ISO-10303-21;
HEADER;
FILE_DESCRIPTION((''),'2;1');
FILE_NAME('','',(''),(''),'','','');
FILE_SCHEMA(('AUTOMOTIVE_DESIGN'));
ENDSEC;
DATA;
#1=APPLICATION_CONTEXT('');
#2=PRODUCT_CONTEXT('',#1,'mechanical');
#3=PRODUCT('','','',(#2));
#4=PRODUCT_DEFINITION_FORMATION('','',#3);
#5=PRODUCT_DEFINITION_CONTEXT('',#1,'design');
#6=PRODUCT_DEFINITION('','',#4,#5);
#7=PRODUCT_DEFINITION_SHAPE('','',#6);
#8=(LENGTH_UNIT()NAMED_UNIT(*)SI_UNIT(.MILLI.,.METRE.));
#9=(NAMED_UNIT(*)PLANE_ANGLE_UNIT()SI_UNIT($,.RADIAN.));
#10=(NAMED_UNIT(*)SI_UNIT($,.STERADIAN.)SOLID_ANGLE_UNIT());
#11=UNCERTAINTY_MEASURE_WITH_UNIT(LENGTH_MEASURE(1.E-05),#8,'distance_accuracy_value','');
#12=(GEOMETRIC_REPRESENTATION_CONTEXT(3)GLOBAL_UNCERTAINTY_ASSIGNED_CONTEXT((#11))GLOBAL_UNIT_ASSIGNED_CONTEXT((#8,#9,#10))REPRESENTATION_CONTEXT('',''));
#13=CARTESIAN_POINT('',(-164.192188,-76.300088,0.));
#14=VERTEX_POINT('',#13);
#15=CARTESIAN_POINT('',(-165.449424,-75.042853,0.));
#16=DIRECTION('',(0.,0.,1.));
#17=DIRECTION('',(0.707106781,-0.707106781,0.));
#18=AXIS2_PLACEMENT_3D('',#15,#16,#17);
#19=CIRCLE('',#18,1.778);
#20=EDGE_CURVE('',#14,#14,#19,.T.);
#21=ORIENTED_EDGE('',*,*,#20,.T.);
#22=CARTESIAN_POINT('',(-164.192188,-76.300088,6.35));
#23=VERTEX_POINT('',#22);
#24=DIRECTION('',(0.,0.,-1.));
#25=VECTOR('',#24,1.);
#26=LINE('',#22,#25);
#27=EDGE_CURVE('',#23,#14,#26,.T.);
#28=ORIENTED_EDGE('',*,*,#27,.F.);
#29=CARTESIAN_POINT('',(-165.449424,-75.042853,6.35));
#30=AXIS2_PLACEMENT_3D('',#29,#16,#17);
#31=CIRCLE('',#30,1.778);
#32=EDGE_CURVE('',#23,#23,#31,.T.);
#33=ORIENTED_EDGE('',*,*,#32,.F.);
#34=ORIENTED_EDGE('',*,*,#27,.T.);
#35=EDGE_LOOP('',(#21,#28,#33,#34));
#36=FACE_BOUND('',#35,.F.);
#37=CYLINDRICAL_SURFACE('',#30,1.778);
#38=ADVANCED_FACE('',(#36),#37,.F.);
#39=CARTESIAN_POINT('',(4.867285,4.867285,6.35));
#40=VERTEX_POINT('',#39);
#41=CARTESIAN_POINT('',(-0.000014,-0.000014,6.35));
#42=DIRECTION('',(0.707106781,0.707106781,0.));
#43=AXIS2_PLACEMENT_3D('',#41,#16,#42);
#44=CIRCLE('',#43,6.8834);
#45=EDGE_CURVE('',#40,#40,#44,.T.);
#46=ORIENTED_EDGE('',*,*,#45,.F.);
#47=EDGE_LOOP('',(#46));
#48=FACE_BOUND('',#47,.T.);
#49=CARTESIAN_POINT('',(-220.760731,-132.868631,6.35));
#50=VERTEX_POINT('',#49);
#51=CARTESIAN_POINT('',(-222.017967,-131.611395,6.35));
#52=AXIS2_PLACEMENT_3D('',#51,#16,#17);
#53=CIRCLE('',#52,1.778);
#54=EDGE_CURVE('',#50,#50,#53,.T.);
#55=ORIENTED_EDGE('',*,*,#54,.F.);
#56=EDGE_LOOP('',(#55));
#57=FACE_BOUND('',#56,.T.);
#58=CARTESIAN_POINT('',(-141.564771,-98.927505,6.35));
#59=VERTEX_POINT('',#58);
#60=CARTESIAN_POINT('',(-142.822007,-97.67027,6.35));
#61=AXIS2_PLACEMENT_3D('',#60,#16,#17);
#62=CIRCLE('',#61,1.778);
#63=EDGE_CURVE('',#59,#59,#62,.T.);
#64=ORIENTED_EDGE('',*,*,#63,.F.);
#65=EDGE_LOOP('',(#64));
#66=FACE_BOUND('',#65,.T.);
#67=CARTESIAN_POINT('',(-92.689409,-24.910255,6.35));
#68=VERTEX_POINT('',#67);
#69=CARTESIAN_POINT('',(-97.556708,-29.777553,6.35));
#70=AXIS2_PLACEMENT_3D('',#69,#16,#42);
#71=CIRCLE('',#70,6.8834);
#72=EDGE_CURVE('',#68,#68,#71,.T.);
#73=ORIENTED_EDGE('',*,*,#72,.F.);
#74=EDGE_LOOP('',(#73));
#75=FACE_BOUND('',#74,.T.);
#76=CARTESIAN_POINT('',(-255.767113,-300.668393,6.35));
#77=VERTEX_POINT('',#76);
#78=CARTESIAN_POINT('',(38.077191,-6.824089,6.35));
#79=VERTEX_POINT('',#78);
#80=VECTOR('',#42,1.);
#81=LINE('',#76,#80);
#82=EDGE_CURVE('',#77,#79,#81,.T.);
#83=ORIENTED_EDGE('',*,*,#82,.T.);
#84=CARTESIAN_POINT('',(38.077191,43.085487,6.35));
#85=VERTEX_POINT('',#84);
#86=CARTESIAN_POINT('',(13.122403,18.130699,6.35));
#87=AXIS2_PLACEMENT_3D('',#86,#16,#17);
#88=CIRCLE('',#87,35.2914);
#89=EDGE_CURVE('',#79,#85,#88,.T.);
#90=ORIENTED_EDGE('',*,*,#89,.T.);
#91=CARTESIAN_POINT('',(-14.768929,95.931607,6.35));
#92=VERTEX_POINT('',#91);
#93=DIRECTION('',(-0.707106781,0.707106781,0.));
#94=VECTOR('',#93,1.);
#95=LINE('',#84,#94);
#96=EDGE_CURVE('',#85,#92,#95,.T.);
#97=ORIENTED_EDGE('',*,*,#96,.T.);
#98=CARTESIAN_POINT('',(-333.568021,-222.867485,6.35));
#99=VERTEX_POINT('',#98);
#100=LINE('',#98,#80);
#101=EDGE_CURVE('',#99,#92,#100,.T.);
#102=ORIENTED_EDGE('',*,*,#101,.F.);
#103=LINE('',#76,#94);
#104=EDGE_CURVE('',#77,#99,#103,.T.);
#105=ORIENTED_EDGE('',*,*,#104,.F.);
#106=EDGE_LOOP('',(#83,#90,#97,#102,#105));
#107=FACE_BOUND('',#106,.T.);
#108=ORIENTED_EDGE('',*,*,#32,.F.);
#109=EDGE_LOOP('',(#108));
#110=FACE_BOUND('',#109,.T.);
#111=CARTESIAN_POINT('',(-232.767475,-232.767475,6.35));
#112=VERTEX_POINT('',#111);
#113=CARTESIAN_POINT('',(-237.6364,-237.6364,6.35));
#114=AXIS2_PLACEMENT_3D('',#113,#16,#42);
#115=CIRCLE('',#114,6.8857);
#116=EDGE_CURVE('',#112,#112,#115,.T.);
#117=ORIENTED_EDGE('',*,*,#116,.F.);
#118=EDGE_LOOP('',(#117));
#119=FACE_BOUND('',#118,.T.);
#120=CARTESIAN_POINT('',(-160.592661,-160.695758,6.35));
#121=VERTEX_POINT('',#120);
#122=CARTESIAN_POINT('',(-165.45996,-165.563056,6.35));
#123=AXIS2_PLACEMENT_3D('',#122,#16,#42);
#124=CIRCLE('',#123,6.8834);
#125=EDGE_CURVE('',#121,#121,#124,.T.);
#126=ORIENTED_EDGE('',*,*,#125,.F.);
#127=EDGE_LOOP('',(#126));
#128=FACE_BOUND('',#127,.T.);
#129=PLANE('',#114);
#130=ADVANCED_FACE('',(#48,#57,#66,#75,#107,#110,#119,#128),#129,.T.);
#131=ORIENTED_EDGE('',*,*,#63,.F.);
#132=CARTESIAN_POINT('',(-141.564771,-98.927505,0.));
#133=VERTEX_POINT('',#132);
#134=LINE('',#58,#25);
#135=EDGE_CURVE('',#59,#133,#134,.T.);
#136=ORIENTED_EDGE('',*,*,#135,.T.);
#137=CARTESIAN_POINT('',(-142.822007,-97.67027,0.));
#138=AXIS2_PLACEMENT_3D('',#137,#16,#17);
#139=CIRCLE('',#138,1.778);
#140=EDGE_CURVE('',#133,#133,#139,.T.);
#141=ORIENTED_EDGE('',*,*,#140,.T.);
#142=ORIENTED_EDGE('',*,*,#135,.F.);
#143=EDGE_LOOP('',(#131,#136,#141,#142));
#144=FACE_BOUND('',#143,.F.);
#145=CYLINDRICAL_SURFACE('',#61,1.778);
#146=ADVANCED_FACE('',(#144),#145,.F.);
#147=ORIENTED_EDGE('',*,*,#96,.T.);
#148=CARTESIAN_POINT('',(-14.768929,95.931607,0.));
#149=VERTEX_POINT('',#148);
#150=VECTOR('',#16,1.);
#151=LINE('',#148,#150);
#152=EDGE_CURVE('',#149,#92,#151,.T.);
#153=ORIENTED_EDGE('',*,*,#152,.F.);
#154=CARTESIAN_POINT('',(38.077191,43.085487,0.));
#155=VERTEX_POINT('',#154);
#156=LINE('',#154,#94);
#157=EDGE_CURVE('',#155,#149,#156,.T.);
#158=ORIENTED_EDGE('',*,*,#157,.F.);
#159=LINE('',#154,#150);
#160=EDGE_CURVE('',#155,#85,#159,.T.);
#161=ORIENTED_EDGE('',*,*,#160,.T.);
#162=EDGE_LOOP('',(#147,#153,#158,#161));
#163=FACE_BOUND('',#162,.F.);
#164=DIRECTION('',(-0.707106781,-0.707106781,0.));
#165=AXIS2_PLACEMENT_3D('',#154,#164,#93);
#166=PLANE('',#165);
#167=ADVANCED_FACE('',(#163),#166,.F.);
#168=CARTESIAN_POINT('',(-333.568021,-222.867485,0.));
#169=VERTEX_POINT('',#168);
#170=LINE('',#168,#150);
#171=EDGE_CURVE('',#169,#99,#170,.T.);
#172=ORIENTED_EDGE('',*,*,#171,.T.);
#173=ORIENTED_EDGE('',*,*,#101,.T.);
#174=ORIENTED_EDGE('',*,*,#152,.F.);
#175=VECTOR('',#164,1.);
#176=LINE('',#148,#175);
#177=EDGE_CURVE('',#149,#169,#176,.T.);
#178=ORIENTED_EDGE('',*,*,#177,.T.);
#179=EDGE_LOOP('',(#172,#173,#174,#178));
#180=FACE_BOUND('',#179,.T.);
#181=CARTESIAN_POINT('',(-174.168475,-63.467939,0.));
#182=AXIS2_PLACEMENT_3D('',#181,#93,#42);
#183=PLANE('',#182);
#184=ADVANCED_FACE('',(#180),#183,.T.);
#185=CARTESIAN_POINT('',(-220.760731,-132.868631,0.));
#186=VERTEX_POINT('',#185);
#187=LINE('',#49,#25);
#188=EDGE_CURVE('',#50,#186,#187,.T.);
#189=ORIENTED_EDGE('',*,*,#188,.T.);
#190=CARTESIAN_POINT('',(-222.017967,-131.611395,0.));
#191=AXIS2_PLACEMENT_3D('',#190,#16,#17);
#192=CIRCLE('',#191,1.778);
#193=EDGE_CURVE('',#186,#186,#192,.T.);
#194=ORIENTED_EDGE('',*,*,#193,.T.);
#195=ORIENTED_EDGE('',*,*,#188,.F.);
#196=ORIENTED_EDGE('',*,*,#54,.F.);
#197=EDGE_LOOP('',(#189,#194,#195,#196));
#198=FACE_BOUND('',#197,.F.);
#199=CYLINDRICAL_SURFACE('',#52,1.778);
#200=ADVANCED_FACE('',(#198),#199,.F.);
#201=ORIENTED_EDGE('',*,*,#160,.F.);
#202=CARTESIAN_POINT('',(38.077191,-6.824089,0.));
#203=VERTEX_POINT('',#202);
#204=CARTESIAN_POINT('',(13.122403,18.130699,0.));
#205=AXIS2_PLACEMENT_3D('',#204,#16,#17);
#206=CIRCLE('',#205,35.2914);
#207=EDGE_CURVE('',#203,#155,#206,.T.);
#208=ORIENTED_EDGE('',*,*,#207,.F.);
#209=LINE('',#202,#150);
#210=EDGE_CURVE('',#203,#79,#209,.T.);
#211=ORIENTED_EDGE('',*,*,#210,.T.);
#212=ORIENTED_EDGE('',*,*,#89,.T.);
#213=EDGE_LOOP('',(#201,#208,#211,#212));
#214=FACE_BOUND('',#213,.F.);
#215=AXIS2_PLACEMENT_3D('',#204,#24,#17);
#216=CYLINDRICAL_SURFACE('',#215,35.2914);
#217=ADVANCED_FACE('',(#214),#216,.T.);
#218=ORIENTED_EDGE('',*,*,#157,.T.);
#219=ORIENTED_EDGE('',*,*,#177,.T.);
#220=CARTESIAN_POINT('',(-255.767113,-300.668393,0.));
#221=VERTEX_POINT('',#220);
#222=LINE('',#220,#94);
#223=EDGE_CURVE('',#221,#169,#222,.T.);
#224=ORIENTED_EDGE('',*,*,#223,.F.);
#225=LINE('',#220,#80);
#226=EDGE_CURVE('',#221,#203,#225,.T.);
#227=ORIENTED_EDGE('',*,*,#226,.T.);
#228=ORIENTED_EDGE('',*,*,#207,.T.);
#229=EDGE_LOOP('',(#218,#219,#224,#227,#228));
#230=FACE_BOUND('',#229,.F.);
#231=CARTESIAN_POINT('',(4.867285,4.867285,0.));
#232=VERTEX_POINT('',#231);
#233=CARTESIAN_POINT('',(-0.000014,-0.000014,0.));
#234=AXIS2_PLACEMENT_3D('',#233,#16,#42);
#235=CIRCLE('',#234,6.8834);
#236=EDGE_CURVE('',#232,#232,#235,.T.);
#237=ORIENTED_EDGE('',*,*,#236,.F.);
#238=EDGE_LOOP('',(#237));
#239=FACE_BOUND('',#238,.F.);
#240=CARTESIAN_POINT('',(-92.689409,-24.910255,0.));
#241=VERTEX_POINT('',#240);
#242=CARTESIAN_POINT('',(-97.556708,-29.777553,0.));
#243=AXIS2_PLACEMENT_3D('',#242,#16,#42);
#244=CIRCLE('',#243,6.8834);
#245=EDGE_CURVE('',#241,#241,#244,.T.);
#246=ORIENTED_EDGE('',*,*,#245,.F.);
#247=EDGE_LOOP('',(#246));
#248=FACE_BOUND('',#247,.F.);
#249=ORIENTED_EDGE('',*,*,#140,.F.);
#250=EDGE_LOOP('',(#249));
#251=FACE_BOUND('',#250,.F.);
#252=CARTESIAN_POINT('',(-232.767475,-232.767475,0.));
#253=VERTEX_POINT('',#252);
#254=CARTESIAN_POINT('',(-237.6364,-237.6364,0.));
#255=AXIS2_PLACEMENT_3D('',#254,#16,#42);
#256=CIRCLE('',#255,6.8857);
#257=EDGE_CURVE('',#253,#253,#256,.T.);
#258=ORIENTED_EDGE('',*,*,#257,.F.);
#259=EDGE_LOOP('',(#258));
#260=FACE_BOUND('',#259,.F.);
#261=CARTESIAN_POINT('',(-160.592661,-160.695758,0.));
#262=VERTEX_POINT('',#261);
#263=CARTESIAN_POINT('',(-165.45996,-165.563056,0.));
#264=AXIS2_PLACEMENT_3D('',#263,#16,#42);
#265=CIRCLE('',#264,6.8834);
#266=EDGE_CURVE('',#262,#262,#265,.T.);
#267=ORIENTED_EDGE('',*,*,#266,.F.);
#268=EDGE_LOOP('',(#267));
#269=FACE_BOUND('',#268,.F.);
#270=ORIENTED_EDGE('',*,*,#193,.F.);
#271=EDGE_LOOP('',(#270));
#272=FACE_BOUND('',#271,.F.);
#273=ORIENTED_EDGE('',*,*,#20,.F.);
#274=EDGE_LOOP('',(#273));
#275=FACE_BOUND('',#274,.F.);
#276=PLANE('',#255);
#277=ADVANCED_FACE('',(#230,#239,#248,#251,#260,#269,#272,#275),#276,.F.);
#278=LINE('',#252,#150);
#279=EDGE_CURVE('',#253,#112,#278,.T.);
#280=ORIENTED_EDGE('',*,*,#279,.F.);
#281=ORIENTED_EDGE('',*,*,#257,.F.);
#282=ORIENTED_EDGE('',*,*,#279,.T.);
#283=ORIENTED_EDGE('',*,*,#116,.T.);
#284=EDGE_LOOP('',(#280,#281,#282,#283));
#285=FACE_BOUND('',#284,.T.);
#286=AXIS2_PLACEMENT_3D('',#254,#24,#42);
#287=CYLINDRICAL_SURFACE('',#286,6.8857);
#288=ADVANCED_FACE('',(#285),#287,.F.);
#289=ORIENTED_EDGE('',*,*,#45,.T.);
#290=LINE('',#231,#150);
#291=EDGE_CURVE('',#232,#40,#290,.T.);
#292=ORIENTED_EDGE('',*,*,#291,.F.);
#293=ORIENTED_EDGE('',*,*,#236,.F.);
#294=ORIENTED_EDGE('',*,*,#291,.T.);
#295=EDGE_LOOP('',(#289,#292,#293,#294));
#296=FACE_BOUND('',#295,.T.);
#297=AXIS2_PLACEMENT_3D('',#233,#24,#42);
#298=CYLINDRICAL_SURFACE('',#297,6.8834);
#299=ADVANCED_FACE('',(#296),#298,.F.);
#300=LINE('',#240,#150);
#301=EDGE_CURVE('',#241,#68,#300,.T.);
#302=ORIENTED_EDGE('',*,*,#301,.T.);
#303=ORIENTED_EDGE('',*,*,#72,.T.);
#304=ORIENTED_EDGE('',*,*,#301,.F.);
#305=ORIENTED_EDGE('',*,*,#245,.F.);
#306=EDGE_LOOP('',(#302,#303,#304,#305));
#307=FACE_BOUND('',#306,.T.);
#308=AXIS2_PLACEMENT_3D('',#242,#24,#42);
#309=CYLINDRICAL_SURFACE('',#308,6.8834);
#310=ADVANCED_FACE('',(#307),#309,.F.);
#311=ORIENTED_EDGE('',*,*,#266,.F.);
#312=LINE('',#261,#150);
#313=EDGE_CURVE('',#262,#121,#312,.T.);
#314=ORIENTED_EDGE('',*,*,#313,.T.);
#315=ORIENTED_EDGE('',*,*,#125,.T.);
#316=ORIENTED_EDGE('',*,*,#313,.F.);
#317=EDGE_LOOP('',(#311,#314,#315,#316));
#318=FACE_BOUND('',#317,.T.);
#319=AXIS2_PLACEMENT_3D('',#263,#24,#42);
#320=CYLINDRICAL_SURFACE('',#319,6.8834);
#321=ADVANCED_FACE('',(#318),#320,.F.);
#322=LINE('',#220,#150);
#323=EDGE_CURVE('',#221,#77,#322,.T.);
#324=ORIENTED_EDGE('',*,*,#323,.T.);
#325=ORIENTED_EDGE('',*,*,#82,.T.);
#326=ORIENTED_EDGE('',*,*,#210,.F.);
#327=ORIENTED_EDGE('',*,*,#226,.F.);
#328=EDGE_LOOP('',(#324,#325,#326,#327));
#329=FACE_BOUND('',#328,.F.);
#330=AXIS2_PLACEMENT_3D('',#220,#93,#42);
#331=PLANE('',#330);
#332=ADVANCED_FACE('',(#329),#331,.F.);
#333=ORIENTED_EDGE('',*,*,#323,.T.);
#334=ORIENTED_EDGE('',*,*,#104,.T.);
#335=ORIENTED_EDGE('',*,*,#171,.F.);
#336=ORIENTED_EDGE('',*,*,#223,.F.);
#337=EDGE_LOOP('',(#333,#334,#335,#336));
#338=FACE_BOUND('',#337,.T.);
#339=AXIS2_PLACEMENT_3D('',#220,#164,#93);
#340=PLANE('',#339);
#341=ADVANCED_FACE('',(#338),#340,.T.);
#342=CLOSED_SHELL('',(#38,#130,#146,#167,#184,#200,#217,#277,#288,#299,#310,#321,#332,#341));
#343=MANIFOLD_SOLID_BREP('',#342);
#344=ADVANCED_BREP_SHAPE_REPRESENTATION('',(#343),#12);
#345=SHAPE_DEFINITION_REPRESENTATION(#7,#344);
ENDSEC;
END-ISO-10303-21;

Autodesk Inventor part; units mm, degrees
ref_plane "YZ Plane" through (0, 0, 0) normal (1, 0, 0) x (0, 1, 0)
ref_plane "XZ Plane" through (0, 0, 0) normal (0, 1, 0) x (-1, 0, 0)
ref_plane "XY Plane" through (0, 0, 0) normal (0, 0, 1) x (1, 0, 0)
ref_plane "Work Plane1" through (-237.6364, -237.6364, 0) normal (0, 0, 1) x (0.7071, 0.7071, 0)
sketch "Sketch1" plane through (-237.6364, -237.6364, 0) normal (0, 0, 1) x (0.7071, 0.7071, 0)
  circle A0 centre (0, 0) radius 4.15 construction
  circle A1 centre (336.0686, 0) radius 6.45 construction
  circle A2 centre (246.0297, 47.9271) radius 4.83 construction
  circle A3 centre (102, -0.0729) radius 4.83 construction
  circle A4 centre (0, 0) radius 6.8857
  circle A5 centre (336.0686, 0) radius 6.8834
  circle A6 centre (102, -0.0729) radius 6.8834
  circle A7 centre (246.0297, 47.9271) radius 6.8834
  line L0 (78.0149, 71.9271) -> (270.0149, 71.9271) construction
  line L1 (168.0343, 78.2771) -> (168.0343, 71.9271)
  line L2 (168.0343, 78.2771) -> (393.4593, 78.2771)
  line L3 (168.0343, 78.2771) -> (-57.3907, 78.2771)
  line L4 (-57.3907, -31.75) -> (-57.3907, 78.2771)
  line L5 (-57.3907, -31.75) -> (358.1679, -31.75)
  line L6 (393.4593, 3.5414) -> (393.4593, 78.2771)
  arc A8 (358.1679, -31.75) -> (393.4593, 3.5414) centre (358.1679, 3.5414) ccw
  point P0 (336.0686, 0)
  dimension "d0" = 13.7714
  dimension "d1" = 13.7668
  dimension "d2" = 13.7668
  dimension "d3" = 13.7668
  dimension "d6" = 225.425
  dimension "d7" = 225.425
extrude "Extrusion1" add sketch "Sketch1" along normal blind 6.35
sketch "Sketch3" plane through (-237.6364, -237.6364, 6.35) normal (0, 0, 1) x (0.7071, -0.7071, 0)
  circle A0 centre (-63.9271, 166.0149) radius 3.81 construction
  circle A1 centre (-31.9271, 166.0149) radius 3.81 construction
  circle A2 centre (-15.9271, 166.0149) radius 3.81 construction
  circle A3 centre (-63.9271, 86.0149) radius 3.81 construction
  circle A4 centre (16.0729, 166.0149) radius 3.81 construction
  circle A5 centre (-31.9271, 166.0149) radius 3.81 construction
  circle A6 centre (-63.9271, 86.0149) radius 5.08 construction
  circle A7 centre (-31.9271, 86.0149) radius 3.81 construction
  circle A8 centre (-15.9271, 86.0149) radius 3.81 construction
  circle A9 centre (16.0729, 86.0149) radius 3.81 construction
  circle A10 centre (-63.9271, 86.0149) radius 1.778
  circle A11 centre (-31.9271, 166.0149) radius 1.778
  circle A12 centre (-63.9271, 166.0149) radius 1.778
  circle A13 centre (16.0729, 166.0149) radius 1.9304 construction
  circle A14 centre (16.0729, 246.0149) radius 1.9304 construction
  circle A15 centre (-15.9271, 166.0149) radius 1.9304 construction
  circle A16 centre (16.0729, 246.0149) radius 1.778
  point P0 (0, 336.0686)
  dimension "d11" = 3.556
  dimension "d17" = 3.556
  dimension "d18" = 3.556
  dimension "d21" = 3.556
extrude "Extrusion2" cut sketch "Sketch3" against normal through all contours A10 | A11 | A12
properties part number "new sidewall outside"
